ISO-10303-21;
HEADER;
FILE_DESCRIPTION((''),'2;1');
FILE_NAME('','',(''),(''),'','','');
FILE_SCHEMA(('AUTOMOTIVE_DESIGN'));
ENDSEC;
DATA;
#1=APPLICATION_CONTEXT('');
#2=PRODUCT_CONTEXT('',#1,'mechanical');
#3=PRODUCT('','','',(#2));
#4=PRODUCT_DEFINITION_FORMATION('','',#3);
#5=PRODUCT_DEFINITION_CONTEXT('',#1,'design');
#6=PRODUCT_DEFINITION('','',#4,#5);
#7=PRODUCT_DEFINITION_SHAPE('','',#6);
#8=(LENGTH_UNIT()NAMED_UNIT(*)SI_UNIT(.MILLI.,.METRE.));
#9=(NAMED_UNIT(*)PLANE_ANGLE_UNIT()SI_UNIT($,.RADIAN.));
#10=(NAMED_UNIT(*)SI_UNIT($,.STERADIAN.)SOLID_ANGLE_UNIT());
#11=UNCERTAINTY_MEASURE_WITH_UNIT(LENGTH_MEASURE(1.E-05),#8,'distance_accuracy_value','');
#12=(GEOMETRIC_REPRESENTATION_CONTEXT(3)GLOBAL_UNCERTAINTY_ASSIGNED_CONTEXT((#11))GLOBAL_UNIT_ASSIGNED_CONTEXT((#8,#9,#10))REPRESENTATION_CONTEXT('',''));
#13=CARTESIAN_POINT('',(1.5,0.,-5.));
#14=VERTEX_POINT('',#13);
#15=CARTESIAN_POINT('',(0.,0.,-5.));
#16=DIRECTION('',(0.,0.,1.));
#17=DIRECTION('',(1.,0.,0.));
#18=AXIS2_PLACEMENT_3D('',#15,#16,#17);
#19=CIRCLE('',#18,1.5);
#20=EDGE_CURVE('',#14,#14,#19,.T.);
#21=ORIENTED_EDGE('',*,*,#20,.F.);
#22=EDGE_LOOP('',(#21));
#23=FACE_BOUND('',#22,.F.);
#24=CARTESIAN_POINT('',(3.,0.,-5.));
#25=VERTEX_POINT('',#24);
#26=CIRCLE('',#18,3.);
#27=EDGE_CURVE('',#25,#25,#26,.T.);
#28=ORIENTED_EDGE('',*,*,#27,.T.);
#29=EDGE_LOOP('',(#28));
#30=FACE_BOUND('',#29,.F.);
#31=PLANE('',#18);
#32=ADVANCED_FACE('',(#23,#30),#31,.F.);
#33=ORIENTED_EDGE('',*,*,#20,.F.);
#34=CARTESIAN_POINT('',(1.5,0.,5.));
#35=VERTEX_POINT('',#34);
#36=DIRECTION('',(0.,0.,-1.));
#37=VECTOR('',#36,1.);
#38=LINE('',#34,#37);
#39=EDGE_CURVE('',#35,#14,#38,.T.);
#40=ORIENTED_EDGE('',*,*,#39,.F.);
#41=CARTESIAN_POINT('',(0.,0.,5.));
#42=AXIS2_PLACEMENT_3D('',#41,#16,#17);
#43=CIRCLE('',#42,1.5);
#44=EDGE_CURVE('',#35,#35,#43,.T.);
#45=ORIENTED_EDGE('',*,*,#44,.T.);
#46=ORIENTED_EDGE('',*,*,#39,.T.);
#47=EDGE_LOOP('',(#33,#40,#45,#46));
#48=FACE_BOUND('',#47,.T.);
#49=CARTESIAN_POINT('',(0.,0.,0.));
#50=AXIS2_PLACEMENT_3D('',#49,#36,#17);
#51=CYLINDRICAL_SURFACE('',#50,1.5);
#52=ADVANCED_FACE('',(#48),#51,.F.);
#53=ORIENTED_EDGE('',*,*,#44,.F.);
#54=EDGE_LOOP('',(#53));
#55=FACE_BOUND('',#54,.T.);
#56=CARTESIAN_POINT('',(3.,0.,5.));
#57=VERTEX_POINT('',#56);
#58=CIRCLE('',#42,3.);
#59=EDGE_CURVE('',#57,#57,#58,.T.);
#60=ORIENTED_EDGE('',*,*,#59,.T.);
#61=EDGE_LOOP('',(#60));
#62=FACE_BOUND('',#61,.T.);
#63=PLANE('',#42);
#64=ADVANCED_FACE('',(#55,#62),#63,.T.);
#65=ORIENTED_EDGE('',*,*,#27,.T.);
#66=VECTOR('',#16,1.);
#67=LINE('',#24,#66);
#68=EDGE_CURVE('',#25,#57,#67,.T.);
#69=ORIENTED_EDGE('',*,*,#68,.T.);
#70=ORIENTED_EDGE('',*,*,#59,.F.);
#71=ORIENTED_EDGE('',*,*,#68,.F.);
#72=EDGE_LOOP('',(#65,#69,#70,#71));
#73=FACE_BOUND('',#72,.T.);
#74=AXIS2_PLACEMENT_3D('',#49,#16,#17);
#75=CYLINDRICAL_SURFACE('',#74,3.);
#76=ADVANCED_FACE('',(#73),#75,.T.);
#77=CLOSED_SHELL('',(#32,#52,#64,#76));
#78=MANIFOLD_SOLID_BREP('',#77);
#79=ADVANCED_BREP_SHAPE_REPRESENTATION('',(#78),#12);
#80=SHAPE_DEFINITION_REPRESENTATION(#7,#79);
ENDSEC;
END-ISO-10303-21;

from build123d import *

# Parameters (mm, degrees)
SKETCH_1_R      = 3
SKETCH_1_R_2    = 1.5
EXTRUDE_1_DEPTH = 5


with BuildPart() as part:
    # 草图1 → 凸台-拉伸1 (new body, symmetric)
    with BuildSketch(Plane.XY):
        Circle(SKETCH_1_R)
        Circle(SKETCH_1_R_2, mode=Mode.SUBTRACT)
    extrude(amount=EXTRUDE_1_DEPTH, both=True)


solid = part.part
